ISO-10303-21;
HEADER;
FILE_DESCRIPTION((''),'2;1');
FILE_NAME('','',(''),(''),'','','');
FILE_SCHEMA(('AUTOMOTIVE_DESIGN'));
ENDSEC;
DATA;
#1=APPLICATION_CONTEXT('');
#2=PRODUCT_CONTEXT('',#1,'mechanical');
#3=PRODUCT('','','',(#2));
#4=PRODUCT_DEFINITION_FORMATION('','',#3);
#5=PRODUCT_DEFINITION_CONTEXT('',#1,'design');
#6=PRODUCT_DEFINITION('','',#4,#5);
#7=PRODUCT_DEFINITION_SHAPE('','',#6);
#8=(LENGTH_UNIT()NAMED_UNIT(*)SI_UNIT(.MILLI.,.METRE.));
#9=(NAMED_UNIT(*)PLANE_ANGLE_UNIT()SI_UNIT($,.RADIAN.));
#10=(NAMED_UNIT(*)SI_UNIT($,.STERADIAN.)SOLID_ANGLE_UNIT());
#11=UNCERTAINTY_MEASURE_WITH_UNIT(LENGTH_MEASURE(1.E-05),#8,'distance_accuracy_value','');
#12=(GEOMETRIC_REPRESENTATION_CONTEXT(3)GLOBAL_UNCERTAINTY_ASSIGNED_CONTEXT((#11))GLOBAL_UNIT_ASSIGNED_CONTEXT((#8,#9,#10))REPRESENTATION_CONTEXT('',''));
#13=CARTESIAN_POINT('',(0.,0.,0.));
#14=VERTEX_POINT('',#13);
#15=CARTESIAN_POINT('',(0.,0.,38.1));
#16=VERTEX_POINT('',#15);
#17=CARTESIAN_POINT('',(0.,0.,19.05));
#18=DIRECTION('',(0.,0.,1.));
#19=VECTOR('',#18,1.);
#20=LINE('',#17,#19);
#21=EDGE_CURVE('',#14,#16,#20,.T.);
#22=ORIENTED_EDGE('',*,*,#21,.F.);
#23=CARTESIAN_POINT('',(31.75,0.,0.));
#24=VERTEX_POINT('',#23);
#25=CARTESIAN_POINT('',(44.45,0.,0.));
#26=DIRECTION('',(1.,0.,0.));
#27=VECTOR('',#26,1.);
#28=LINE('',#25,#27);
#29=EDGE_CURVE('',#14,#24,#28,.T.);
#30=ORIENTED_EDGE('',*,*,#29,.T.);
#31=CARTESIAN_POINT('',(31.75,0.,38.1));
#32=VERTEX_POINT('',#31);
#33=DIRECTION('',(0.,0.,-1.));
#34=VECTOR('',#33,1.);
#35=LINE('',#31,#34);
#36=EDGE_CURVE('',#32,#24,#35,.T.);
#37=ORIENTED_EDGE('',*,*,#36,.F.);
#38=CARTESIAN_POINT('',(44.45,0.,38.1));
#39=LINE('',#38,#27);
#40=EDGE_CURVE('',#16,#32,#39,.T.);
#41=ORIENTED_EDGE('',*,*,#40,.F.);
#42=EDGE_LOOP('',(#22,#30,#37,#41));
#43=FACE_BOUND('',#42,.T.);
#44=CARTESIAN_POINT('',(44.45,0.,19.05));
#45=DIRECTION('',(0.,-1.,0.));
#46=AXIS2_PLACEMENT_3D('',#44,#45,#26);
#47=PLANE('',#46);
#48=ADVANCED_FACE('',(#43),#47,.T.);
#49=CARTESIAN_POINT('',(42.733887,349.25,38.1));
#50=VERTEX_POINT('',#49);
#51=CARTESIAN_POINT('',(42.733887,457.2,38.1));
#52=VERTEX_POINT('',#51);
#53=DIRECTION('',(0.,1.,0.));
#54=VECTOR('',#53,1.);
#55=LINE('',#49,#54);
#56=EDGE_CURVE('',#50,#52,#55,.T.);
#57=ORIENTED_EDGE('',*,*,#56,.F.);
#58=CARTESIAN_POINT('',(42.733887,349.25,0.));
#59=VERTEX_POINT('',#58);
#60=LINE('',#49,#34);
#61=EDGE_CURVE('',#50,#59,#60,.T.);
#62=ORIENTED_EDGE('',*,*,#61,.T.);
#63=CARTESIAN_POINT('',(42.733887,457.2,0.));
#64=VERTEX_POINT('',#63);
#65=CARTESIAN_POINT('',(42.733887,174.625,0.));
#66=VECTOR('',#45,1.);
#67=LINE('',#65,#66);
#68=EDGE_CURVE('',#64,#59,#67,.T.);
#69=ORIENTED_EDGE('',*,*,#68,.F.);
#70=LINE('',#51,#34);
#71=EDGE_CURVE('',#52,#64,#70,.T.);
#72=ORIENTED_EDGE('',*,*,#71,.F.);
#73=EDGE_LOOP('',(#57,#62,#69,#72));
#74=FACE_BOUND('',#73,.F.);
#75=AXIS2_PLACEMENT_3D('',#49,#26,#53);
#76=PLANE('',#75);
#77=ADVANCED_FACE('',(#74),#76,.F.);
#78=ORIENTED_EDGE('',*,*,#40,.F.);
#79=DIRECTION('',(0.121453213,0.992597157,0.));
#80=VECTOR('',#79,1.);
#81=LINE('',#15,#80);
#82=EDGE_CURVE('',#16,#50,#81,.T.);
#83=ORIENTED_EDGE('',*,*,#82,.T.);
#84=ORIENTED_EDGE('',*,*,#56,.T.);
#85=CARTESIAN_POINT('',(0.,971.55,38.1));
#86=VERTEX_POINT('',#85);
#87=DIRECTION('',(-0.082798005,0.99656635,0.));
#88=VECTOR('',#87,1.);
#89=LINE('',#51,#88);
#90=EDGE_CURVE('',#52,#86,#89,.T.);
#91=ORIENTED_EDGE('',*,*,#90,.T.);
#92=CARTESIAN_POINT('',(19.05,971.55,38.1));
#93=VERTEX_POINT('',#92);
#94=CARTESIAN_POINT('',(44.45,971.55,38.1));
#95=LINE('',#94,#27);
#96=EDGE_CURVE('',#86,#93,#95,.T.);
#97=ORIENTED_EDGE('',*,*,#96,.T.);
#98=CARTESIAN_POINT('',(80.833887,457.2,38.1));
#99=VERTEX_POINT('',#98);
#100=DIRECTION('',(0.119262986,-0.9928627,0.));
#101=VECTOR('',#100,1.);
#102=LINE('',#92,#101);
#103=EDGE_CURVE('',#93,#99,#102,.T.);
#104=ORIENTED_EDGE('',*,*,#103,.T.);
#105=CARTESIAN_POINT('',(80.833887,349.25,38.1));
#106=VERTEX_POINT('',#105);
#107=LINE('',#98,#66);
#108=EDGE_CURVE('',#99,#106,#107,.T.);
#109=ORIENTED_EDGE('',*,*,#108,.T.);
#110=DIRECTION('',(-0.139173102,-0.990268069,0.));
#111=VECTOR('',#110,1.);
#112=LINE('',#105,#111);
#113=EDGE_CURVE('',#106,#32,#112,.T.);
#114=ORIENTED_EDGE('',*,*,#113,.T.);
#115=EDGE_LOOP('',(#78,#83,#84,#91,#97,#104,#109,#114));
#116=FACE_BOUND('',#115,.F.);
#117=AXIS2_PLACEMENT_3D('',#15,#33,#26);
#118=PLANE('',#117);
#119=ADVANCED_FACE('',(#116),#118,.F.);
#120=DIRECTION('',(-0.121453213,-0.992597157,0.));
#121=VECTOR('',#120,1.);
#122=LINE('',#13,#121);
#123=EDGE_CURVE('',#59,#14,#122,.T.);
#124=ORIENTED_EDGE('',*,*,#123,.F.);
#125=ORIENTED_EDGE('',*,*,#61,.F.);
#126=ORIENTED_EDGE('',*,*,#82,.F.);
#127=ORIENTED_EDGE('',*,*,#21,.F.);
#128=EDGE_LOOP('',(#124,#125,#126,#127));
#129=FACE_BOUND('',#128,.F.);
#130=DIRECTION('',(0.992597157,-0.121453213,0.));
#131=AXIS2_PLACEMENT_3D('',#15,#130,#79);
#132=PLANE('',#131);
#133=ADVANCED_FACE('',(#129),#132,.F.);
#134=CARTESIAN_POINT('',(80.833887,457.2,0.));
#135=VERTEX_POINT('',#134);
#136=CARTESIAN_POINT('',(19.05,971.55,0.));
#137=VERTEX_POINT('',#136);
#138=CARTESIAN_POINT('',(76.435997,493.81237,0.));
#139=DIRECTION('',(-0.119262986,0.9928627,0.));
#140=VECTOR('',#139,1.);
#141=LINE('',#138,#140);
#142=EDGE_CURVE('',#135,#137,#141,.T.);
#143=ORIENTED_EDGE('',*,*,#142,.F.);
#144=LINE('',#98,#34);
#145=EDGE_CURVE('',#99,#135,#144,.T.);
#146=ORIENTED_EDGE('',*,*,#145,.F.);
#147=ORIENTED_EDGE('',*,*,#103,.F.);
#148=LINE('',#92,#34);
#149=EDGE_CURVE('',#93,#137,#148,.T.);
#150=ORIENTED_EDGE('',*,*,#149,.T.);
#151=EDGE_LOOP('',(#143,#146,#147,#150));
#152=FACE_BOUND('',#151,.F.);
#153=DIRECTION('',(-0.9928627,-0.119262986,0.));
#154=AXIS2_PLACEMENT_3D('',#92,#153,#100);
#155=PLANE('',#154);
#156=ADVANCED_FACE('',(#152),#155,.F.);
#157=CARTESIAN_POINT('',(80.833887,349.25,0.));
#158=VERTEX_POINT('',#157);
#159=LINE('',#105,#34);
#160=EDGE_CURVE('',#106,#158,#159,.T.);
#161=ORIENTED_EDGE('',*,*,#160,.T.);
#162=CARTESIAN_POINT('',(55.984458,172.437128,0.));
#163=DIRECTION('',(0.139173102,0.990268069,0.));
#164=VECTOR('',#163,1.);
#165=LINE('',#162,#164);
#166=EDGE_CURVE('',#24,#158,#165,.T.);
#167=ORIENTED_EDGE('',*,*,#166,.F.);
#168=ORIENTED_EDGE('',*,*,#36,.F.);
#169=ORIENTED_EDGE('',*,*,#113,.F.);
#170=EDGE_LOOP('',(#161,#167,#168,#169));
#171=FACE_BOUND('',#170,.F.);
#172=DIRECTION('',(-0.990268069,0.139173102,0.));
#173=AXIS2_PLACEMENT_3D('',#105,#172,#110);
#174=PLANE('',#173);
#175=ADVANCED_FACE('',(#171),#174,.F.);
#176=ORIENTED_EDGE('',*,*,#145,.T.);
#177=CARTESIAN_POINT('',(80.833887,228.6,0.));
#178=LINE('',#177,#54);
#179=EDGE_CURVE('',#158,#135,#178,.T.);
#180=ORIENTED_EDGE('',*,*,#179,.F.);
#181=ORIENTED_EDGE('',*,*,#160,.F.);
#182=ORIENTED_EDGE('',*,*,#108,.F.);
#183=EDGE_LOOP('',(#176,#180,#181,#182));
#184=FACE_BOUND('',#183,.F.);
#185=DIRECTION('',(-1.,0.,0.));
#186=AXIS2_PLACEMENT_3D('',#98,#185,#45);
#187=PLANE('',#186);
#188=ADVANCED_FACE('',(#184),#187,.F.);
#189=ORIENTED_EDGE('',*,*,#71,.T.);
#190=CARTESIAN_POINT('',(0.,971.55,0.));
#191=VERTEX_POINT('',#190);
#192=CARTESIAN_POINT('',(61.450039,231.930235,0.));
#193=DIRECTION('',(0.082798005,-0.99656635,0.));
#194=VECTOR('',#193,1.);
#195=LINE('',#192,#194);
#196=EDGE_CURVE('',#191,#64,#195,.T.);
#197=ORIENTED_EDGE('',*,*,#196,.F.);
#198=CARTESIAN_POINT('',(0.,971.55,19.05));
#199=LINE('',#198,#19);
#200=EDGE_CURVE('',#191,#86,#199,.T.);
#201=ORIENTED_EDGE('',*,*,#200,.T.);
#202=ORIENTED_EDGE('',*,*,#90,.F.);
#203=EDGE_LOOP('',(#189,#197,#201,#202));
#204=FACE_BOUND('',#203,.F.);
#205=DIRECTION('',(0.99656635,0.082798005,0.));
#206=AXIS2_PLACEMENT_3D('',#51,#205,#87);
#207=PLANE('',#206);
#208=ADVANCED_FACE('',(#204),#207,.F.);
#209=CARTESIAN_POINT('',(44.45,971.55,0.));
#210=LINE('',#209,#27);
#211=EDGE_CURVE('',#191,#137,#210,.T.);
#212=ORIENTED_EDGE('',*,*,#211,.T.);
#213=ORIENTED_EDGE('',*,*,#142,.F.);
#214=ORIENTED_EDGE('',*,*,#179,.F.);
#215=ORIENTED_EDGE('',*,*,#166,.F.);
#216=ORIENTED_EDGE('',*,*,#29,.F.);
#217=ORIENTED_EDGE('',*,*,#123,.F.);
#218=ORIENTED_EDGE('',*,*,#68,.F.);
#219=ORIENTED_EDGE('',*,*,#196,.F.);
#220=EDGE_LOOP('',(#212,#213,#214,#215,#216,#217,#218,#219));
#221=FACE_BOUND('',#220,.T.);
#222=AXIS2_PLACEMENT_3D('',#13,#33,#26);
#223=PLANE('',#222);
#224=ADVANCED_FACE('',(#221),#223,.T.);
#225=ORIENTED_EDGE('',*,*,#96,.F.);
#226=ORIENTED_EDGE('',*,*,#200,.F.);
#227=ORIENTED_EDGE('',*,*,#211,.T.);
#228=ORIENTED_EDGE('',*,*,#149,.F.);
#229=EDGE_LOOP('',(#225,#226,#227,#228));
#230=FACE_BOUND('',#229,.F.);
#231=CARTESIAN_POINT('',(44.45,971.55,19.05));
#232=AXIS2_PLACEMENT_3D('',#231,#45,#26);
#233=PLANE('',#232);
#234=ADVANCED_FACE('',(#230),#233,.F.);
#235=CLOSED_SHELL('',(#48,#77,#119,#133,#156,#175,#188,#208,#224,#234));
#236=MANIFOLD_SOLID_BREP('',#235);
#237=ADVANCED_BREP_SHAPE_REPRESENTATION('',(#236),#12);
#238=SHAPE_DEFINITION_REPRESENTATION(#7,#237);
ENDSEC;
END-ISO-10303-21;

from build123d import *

# Parameters (mm, degrees)
F0_W     = 88.9
F0_H     = 38.1
F1_DEPTH = 971.55
F3_DEPTH = 38.101


with BuildPart() as f1:
    # F0 (on Front) → F1 (new body)
    with BuildSketch(Plane.XZ):
        with Locations((44.45, 19.05)):
            Rectangle(F0_W, F0_H)
    extrude(amount=-F1_DEPTH)

    # F2 (on face) → F3 (cut, through all)
    with BuildSketch(Plane.XY.offset(38.1)):
        Polygon((0, 971.55), (0, 0), (42.733887, 349.25), (42.733887, 457.2), align=None)
        Polygon((80.833887, 457.2), (80.833887, 349.25), (31.75, 0), (88.9, 0), (88.9, 971.55), (19.05, 971.55), align=None)
    extrude(amount=-F3_DEPTH, mode=Mode.SUBTRACT)


solid = f1.part
